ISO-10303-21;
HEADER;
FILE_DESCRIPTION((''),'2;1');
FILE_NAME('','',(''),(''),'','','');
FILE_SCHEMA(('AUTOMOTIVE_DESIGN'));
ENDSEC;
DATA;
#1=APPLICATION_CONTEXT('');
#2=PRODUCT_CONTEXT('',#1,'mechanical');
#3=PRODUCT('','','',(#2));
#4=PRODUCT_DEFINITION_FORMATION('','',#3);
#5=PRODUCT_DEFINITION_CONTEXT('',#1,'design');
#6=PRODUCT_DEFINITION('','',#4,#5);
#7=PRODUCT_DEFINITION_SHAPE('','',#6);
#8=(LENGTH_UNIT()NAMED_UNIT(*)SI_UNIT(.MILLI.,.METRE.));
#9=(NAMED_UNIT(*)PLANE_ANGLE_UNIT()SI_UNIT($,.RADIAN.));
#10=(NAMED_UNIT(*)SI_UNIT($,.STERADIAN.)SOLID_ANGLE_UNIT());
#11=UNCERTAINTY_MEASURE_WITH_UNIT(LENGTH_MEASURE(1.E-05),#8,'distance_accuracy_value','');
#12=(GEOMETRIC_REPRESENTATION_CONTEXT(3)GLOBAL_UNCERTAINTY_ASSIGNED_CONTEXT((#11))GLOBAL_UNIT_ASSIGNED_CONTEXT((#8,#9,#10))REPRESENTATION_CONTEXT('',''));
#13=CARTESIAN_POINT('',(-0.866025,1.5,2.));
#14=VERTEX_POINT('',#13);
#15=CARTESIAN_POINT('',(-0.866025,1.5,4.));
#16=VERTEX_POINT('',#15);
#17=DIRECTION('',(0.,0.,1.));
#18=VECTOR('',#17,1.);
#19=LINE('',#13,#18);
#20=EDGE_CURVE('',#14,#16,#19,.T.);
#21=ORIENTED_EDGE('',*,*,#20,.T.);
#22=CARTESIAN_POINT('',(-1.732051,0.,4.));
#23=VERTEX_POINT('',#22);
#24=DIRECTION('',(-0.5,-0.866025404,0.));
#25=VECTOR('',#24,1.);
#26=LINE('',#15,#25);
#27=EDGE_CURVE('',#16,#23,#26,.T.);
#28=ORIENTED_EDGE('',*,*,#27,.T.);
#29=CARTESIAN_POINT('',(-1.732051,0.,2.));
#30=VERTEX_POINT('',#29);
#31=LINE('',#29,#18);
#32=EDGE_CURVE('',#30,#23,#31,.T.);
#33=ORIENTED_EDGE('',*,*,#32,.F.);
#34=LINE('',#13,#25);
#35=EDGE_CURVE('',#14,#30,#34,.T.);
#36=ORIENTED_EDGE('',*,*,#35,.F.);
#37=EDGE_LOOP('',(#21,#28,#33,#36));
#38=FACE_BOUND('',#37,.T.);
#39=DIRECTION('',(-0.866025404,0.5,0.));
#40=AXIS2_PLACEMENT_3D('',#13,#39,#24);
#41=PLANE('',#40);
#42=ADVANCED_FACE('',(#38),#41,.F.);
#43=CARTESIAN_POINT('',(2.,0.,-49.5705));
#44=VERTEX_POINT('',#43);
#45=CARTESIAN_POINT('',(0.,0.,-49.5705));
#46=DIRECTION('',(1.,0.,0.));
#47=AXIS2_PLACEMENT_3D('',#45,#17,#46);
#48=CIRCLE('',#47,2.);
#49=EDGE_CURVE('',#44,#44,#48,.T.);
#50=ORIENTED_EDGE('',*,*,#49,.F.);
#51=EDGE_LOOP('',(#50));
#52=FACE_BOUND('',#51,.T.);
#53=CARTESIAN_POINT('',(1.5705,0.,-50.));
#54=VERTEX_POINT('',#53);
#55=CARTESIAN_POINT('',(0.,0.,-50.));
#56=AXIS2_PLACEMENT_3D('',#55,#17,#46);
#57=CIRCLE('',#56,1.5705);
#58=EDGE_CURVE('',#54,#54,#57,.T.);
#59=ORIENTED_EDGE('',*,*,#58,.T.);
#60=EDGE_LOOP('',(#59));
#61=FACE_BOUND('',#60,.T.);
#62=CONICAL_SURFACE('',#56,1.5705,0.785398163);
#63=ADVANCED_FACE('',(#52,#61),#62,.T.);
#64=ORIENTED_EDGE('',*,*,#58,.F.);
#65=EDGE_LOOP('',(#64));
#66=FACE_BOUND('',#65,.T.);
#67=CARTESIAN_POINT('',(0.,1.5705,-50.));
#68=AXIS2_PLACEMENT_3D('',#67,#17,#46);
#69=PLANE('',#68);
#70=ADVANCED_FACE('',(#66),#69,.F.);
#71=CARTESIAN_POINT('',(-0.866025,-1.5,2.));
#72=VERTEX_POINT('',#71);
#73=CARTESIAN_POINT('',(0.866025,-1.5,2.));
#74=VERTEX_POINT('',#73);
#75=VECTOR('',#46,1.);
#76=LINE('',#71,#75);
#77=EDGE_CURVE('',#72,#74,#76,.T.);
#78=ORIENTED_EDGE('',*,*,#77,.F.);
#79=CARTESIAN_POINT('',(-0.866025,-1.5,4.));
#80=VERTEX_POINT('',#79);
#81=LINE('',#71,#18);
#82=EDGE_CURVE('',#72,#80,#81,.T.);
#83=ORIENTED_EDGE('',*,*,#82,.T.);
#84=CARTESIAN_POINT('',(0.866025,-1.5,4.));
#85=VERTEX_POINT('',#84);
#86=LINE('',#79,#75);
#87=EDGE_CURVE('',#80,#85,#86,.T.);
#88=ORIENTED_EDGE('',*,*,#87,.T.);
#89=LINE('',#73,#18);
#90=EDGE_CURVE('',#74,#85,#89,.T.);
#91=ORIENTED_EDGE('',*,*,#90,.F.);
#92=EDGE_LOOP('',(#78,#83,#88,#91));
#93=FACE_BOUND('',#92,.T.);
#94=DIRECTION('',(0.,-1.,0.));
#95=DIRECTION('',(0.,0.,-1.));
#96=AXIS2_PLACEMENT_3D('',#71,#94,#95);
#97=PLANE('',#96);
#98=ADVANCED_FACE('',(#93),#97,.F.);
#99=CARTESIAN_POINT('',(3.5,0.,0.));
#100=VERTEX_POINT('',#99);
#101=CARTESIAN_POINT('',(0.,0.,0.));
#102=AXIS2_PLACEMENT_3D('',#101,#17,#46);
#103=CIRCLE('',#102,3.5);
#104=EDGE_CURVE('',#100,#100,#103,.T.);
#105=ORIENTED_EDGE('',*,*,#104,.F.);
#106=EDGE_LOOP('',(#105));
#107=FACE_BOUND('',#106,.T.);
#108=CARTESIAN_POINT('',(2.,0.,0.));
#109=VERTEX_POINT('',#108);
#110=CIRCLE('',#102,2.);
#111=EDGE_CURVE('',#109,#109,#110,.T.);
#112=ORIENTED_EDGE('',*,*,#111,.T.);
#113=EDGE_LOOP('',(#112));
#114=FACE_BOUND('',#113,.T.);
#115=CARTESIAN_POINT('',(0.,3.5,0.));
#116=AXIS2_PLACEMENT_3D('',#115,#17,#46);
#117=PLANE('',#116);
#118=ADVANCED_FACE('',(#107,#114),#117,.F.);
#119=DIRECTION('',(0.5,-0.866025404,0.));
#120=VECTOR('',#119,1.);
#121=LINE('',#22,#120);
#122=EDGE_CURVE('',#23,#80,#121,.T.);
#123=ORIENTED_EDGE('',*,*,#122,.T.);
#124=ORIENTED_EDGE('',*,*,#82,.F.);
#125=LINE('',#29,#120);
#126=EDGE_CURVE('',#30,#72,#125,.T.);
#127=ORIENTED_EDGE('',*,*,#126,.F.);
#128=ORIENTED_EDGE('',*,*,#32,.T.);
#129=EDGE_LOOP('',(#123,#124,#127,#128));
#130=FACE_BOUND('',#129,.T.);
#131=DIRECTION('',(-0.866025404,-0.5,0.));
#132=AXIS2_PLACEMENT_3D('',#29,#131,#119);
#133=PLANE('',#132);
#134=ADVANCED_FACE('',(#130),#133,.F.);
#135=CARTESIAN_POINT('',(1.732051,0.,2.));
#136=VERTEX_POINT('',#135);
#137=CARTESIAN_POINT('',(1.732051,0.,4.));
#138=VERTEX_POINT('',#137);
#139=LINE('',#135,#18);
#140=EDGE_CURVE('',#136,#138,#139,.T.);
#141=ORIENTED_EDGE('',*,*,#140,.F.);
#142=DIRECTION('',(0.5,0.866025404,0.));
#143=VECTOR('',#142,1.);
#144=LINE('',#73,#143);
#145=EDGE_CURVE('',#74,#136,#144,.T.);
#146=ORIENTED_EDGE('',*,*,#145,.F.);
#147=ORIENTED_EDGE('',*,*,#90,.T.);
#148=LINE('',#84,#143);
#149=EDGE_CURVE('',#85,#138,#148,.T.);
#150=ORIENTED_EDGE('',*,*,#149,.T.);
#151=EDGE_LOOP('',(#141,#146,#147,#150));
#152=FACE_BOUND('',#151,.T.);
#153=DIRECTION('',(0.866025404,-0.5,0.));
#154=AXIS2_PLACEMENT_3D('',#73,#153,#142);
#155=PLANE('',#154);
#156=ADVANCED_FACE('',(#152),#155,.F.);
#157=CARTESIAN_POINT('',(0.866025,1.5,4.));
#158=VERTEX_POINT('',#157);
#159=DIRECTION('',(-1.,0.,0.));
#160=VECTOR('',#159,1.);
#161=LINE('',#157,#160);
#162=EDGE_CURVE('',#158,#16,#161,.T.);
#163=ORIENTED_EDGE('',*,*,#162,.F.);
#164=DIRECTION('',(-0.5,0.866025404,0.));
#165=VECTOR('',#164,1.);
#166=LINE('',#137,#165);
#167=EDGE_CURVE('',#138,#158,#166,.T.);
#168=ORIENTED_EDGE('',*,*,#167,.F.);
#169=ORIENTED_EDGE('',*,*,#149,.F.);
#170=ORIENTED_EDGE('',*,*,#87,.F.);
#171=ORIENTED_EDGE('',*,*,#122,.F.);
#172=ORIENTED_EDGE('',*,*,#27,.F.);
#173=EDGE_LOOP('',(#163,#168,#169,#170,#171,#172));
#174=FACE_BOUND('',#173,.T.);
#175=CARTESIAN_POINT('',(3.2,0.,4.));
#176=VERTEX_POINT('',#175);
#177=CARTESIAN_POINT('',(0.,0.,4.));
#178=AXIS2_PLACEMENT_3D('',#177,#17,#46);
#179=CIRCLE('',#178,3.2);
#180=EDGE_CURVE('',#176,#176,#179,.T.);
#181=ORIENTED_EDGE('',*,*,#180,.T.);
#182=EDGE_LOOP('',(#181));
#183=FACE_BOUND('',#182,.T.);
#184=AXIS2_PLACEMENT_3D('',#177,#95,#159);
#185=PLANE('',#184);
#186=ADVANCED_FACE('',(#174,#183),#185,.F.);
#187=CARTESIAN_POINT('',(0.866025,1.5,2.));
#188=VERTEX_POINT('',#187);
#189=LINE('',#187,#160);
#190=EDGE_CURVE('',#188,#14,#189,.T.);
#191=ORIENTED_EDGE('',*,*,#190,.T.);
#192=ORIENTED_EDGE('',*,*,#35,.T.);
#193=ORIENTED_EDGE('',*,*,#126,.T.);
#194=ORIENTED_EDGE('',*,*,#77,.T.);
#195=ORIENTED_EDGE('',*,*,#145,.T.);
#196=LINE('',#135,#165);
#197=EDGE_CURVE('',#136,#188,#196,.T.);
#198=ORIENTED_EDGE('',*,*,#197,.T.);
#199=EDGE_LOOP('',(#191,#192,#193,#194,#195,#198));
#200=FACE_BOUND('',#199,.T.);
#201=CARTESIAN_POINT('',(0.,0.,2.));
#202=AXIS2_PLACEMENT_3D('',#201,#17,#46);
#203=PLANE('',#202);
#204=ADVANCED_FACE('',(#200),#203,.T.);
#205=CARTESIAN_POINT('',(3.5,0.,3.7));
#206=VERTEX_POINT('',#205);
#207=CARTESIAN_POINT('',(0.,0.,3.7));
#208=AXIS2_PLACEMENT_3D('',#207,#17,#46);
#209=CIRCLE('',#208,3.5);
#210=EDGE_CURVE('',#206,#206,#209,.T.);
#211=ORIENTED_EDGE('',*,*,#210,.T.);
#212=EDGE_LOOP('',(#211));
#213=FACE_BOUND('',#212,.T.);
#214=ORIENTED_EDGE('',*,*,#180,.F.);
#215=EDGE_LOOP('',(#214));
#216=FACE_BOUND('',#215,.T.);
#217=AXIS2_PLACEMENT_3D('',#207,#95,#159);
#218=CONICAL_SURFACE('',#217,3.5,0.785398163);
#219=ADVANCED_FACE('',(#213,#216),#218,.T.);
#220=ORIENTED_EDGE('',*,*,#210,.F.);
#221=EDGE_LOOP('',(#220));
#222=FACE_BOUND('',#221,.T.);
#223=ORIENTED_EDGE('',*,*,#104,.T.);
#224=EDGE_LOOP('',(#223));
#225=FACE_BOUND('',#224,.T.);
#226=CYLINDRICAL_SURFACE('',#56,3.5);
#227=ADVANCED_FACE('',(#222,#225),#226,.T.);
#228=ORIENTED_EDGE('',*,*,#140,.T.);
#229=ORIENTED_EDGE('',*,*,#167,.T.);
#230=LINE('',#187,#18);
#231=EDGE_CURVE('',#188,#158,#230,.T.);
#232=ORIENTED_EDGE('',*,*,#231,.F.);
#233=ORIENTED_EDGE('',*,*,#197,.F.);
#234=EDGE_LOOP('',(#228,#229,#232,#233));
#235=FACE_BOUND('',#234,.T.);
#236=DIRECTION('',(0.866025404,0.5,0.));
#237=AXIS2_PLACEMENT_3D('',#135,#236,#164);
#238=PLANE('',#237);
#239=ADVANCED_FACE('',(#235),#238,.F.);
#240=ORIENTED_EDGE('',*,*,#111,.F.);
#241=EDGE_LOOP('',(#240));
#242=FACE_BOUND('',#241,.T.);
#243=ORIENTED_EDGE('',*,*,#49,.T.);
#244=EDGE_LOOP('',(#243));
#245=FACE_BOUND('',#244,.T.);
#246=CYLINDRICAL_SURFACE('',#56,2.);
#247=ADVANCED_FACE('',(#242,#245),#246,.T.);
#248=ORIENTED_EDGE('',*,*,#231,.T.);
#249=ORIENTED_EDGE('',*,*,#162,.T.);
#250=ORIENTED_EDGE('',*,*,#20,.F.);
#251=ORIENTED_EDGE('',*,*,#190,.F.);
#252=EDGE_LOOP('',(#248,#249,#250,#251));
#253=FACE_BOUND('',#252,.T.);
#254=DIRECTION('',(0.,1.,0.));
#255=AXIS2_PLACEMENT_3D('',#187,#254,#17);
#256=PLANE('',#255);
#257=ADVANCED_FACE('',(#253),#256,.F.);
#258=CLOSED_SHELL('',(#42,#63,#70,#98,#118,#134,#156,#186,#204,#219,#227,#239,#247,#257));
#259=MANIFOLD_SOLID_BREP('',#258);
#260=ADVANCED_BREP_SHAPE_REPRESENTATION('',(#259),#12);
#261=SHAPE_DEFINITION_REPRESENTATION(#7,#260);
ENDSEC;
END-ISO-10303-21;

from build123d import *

# Parameters (mm, degrees)
CUT_EXTRUDE_1_DEPTH = 2


with BuildPart() as part:
    # 草图1 → 旋转1 (revolve)
    with BuildSketch(Plane(origin=(0, 0, 0), x_dir=(0, 0, -1), z_dir=(1, 0, 0))):
        Polygon((-4, 0), (-4, 3.2), (-3.7, 3.5), (0, 3.5), (0, 2), (49.5705, 2), (50, 1.5705), (50, 0), align=None)
    revolve(axis=Axis((0, 0, -50), (0, 0, 1)))

    # 草图2 → 切除-拉伸1 (cut)
    with BuildSketch(Plane.XY.offset(4)):
        Polygon((-0.866025404, -1.5), (0.866025404, -1.5), (1.732050808, 0), (0.866025404, 1.5), (-0.866025404, 1.5), (-1.732050808, 0), align=None)
    extrude(amount=-CUT_EXTRUDE_1_DEPTH, mode=Mode.SUBTRACT)


solid = part.part
